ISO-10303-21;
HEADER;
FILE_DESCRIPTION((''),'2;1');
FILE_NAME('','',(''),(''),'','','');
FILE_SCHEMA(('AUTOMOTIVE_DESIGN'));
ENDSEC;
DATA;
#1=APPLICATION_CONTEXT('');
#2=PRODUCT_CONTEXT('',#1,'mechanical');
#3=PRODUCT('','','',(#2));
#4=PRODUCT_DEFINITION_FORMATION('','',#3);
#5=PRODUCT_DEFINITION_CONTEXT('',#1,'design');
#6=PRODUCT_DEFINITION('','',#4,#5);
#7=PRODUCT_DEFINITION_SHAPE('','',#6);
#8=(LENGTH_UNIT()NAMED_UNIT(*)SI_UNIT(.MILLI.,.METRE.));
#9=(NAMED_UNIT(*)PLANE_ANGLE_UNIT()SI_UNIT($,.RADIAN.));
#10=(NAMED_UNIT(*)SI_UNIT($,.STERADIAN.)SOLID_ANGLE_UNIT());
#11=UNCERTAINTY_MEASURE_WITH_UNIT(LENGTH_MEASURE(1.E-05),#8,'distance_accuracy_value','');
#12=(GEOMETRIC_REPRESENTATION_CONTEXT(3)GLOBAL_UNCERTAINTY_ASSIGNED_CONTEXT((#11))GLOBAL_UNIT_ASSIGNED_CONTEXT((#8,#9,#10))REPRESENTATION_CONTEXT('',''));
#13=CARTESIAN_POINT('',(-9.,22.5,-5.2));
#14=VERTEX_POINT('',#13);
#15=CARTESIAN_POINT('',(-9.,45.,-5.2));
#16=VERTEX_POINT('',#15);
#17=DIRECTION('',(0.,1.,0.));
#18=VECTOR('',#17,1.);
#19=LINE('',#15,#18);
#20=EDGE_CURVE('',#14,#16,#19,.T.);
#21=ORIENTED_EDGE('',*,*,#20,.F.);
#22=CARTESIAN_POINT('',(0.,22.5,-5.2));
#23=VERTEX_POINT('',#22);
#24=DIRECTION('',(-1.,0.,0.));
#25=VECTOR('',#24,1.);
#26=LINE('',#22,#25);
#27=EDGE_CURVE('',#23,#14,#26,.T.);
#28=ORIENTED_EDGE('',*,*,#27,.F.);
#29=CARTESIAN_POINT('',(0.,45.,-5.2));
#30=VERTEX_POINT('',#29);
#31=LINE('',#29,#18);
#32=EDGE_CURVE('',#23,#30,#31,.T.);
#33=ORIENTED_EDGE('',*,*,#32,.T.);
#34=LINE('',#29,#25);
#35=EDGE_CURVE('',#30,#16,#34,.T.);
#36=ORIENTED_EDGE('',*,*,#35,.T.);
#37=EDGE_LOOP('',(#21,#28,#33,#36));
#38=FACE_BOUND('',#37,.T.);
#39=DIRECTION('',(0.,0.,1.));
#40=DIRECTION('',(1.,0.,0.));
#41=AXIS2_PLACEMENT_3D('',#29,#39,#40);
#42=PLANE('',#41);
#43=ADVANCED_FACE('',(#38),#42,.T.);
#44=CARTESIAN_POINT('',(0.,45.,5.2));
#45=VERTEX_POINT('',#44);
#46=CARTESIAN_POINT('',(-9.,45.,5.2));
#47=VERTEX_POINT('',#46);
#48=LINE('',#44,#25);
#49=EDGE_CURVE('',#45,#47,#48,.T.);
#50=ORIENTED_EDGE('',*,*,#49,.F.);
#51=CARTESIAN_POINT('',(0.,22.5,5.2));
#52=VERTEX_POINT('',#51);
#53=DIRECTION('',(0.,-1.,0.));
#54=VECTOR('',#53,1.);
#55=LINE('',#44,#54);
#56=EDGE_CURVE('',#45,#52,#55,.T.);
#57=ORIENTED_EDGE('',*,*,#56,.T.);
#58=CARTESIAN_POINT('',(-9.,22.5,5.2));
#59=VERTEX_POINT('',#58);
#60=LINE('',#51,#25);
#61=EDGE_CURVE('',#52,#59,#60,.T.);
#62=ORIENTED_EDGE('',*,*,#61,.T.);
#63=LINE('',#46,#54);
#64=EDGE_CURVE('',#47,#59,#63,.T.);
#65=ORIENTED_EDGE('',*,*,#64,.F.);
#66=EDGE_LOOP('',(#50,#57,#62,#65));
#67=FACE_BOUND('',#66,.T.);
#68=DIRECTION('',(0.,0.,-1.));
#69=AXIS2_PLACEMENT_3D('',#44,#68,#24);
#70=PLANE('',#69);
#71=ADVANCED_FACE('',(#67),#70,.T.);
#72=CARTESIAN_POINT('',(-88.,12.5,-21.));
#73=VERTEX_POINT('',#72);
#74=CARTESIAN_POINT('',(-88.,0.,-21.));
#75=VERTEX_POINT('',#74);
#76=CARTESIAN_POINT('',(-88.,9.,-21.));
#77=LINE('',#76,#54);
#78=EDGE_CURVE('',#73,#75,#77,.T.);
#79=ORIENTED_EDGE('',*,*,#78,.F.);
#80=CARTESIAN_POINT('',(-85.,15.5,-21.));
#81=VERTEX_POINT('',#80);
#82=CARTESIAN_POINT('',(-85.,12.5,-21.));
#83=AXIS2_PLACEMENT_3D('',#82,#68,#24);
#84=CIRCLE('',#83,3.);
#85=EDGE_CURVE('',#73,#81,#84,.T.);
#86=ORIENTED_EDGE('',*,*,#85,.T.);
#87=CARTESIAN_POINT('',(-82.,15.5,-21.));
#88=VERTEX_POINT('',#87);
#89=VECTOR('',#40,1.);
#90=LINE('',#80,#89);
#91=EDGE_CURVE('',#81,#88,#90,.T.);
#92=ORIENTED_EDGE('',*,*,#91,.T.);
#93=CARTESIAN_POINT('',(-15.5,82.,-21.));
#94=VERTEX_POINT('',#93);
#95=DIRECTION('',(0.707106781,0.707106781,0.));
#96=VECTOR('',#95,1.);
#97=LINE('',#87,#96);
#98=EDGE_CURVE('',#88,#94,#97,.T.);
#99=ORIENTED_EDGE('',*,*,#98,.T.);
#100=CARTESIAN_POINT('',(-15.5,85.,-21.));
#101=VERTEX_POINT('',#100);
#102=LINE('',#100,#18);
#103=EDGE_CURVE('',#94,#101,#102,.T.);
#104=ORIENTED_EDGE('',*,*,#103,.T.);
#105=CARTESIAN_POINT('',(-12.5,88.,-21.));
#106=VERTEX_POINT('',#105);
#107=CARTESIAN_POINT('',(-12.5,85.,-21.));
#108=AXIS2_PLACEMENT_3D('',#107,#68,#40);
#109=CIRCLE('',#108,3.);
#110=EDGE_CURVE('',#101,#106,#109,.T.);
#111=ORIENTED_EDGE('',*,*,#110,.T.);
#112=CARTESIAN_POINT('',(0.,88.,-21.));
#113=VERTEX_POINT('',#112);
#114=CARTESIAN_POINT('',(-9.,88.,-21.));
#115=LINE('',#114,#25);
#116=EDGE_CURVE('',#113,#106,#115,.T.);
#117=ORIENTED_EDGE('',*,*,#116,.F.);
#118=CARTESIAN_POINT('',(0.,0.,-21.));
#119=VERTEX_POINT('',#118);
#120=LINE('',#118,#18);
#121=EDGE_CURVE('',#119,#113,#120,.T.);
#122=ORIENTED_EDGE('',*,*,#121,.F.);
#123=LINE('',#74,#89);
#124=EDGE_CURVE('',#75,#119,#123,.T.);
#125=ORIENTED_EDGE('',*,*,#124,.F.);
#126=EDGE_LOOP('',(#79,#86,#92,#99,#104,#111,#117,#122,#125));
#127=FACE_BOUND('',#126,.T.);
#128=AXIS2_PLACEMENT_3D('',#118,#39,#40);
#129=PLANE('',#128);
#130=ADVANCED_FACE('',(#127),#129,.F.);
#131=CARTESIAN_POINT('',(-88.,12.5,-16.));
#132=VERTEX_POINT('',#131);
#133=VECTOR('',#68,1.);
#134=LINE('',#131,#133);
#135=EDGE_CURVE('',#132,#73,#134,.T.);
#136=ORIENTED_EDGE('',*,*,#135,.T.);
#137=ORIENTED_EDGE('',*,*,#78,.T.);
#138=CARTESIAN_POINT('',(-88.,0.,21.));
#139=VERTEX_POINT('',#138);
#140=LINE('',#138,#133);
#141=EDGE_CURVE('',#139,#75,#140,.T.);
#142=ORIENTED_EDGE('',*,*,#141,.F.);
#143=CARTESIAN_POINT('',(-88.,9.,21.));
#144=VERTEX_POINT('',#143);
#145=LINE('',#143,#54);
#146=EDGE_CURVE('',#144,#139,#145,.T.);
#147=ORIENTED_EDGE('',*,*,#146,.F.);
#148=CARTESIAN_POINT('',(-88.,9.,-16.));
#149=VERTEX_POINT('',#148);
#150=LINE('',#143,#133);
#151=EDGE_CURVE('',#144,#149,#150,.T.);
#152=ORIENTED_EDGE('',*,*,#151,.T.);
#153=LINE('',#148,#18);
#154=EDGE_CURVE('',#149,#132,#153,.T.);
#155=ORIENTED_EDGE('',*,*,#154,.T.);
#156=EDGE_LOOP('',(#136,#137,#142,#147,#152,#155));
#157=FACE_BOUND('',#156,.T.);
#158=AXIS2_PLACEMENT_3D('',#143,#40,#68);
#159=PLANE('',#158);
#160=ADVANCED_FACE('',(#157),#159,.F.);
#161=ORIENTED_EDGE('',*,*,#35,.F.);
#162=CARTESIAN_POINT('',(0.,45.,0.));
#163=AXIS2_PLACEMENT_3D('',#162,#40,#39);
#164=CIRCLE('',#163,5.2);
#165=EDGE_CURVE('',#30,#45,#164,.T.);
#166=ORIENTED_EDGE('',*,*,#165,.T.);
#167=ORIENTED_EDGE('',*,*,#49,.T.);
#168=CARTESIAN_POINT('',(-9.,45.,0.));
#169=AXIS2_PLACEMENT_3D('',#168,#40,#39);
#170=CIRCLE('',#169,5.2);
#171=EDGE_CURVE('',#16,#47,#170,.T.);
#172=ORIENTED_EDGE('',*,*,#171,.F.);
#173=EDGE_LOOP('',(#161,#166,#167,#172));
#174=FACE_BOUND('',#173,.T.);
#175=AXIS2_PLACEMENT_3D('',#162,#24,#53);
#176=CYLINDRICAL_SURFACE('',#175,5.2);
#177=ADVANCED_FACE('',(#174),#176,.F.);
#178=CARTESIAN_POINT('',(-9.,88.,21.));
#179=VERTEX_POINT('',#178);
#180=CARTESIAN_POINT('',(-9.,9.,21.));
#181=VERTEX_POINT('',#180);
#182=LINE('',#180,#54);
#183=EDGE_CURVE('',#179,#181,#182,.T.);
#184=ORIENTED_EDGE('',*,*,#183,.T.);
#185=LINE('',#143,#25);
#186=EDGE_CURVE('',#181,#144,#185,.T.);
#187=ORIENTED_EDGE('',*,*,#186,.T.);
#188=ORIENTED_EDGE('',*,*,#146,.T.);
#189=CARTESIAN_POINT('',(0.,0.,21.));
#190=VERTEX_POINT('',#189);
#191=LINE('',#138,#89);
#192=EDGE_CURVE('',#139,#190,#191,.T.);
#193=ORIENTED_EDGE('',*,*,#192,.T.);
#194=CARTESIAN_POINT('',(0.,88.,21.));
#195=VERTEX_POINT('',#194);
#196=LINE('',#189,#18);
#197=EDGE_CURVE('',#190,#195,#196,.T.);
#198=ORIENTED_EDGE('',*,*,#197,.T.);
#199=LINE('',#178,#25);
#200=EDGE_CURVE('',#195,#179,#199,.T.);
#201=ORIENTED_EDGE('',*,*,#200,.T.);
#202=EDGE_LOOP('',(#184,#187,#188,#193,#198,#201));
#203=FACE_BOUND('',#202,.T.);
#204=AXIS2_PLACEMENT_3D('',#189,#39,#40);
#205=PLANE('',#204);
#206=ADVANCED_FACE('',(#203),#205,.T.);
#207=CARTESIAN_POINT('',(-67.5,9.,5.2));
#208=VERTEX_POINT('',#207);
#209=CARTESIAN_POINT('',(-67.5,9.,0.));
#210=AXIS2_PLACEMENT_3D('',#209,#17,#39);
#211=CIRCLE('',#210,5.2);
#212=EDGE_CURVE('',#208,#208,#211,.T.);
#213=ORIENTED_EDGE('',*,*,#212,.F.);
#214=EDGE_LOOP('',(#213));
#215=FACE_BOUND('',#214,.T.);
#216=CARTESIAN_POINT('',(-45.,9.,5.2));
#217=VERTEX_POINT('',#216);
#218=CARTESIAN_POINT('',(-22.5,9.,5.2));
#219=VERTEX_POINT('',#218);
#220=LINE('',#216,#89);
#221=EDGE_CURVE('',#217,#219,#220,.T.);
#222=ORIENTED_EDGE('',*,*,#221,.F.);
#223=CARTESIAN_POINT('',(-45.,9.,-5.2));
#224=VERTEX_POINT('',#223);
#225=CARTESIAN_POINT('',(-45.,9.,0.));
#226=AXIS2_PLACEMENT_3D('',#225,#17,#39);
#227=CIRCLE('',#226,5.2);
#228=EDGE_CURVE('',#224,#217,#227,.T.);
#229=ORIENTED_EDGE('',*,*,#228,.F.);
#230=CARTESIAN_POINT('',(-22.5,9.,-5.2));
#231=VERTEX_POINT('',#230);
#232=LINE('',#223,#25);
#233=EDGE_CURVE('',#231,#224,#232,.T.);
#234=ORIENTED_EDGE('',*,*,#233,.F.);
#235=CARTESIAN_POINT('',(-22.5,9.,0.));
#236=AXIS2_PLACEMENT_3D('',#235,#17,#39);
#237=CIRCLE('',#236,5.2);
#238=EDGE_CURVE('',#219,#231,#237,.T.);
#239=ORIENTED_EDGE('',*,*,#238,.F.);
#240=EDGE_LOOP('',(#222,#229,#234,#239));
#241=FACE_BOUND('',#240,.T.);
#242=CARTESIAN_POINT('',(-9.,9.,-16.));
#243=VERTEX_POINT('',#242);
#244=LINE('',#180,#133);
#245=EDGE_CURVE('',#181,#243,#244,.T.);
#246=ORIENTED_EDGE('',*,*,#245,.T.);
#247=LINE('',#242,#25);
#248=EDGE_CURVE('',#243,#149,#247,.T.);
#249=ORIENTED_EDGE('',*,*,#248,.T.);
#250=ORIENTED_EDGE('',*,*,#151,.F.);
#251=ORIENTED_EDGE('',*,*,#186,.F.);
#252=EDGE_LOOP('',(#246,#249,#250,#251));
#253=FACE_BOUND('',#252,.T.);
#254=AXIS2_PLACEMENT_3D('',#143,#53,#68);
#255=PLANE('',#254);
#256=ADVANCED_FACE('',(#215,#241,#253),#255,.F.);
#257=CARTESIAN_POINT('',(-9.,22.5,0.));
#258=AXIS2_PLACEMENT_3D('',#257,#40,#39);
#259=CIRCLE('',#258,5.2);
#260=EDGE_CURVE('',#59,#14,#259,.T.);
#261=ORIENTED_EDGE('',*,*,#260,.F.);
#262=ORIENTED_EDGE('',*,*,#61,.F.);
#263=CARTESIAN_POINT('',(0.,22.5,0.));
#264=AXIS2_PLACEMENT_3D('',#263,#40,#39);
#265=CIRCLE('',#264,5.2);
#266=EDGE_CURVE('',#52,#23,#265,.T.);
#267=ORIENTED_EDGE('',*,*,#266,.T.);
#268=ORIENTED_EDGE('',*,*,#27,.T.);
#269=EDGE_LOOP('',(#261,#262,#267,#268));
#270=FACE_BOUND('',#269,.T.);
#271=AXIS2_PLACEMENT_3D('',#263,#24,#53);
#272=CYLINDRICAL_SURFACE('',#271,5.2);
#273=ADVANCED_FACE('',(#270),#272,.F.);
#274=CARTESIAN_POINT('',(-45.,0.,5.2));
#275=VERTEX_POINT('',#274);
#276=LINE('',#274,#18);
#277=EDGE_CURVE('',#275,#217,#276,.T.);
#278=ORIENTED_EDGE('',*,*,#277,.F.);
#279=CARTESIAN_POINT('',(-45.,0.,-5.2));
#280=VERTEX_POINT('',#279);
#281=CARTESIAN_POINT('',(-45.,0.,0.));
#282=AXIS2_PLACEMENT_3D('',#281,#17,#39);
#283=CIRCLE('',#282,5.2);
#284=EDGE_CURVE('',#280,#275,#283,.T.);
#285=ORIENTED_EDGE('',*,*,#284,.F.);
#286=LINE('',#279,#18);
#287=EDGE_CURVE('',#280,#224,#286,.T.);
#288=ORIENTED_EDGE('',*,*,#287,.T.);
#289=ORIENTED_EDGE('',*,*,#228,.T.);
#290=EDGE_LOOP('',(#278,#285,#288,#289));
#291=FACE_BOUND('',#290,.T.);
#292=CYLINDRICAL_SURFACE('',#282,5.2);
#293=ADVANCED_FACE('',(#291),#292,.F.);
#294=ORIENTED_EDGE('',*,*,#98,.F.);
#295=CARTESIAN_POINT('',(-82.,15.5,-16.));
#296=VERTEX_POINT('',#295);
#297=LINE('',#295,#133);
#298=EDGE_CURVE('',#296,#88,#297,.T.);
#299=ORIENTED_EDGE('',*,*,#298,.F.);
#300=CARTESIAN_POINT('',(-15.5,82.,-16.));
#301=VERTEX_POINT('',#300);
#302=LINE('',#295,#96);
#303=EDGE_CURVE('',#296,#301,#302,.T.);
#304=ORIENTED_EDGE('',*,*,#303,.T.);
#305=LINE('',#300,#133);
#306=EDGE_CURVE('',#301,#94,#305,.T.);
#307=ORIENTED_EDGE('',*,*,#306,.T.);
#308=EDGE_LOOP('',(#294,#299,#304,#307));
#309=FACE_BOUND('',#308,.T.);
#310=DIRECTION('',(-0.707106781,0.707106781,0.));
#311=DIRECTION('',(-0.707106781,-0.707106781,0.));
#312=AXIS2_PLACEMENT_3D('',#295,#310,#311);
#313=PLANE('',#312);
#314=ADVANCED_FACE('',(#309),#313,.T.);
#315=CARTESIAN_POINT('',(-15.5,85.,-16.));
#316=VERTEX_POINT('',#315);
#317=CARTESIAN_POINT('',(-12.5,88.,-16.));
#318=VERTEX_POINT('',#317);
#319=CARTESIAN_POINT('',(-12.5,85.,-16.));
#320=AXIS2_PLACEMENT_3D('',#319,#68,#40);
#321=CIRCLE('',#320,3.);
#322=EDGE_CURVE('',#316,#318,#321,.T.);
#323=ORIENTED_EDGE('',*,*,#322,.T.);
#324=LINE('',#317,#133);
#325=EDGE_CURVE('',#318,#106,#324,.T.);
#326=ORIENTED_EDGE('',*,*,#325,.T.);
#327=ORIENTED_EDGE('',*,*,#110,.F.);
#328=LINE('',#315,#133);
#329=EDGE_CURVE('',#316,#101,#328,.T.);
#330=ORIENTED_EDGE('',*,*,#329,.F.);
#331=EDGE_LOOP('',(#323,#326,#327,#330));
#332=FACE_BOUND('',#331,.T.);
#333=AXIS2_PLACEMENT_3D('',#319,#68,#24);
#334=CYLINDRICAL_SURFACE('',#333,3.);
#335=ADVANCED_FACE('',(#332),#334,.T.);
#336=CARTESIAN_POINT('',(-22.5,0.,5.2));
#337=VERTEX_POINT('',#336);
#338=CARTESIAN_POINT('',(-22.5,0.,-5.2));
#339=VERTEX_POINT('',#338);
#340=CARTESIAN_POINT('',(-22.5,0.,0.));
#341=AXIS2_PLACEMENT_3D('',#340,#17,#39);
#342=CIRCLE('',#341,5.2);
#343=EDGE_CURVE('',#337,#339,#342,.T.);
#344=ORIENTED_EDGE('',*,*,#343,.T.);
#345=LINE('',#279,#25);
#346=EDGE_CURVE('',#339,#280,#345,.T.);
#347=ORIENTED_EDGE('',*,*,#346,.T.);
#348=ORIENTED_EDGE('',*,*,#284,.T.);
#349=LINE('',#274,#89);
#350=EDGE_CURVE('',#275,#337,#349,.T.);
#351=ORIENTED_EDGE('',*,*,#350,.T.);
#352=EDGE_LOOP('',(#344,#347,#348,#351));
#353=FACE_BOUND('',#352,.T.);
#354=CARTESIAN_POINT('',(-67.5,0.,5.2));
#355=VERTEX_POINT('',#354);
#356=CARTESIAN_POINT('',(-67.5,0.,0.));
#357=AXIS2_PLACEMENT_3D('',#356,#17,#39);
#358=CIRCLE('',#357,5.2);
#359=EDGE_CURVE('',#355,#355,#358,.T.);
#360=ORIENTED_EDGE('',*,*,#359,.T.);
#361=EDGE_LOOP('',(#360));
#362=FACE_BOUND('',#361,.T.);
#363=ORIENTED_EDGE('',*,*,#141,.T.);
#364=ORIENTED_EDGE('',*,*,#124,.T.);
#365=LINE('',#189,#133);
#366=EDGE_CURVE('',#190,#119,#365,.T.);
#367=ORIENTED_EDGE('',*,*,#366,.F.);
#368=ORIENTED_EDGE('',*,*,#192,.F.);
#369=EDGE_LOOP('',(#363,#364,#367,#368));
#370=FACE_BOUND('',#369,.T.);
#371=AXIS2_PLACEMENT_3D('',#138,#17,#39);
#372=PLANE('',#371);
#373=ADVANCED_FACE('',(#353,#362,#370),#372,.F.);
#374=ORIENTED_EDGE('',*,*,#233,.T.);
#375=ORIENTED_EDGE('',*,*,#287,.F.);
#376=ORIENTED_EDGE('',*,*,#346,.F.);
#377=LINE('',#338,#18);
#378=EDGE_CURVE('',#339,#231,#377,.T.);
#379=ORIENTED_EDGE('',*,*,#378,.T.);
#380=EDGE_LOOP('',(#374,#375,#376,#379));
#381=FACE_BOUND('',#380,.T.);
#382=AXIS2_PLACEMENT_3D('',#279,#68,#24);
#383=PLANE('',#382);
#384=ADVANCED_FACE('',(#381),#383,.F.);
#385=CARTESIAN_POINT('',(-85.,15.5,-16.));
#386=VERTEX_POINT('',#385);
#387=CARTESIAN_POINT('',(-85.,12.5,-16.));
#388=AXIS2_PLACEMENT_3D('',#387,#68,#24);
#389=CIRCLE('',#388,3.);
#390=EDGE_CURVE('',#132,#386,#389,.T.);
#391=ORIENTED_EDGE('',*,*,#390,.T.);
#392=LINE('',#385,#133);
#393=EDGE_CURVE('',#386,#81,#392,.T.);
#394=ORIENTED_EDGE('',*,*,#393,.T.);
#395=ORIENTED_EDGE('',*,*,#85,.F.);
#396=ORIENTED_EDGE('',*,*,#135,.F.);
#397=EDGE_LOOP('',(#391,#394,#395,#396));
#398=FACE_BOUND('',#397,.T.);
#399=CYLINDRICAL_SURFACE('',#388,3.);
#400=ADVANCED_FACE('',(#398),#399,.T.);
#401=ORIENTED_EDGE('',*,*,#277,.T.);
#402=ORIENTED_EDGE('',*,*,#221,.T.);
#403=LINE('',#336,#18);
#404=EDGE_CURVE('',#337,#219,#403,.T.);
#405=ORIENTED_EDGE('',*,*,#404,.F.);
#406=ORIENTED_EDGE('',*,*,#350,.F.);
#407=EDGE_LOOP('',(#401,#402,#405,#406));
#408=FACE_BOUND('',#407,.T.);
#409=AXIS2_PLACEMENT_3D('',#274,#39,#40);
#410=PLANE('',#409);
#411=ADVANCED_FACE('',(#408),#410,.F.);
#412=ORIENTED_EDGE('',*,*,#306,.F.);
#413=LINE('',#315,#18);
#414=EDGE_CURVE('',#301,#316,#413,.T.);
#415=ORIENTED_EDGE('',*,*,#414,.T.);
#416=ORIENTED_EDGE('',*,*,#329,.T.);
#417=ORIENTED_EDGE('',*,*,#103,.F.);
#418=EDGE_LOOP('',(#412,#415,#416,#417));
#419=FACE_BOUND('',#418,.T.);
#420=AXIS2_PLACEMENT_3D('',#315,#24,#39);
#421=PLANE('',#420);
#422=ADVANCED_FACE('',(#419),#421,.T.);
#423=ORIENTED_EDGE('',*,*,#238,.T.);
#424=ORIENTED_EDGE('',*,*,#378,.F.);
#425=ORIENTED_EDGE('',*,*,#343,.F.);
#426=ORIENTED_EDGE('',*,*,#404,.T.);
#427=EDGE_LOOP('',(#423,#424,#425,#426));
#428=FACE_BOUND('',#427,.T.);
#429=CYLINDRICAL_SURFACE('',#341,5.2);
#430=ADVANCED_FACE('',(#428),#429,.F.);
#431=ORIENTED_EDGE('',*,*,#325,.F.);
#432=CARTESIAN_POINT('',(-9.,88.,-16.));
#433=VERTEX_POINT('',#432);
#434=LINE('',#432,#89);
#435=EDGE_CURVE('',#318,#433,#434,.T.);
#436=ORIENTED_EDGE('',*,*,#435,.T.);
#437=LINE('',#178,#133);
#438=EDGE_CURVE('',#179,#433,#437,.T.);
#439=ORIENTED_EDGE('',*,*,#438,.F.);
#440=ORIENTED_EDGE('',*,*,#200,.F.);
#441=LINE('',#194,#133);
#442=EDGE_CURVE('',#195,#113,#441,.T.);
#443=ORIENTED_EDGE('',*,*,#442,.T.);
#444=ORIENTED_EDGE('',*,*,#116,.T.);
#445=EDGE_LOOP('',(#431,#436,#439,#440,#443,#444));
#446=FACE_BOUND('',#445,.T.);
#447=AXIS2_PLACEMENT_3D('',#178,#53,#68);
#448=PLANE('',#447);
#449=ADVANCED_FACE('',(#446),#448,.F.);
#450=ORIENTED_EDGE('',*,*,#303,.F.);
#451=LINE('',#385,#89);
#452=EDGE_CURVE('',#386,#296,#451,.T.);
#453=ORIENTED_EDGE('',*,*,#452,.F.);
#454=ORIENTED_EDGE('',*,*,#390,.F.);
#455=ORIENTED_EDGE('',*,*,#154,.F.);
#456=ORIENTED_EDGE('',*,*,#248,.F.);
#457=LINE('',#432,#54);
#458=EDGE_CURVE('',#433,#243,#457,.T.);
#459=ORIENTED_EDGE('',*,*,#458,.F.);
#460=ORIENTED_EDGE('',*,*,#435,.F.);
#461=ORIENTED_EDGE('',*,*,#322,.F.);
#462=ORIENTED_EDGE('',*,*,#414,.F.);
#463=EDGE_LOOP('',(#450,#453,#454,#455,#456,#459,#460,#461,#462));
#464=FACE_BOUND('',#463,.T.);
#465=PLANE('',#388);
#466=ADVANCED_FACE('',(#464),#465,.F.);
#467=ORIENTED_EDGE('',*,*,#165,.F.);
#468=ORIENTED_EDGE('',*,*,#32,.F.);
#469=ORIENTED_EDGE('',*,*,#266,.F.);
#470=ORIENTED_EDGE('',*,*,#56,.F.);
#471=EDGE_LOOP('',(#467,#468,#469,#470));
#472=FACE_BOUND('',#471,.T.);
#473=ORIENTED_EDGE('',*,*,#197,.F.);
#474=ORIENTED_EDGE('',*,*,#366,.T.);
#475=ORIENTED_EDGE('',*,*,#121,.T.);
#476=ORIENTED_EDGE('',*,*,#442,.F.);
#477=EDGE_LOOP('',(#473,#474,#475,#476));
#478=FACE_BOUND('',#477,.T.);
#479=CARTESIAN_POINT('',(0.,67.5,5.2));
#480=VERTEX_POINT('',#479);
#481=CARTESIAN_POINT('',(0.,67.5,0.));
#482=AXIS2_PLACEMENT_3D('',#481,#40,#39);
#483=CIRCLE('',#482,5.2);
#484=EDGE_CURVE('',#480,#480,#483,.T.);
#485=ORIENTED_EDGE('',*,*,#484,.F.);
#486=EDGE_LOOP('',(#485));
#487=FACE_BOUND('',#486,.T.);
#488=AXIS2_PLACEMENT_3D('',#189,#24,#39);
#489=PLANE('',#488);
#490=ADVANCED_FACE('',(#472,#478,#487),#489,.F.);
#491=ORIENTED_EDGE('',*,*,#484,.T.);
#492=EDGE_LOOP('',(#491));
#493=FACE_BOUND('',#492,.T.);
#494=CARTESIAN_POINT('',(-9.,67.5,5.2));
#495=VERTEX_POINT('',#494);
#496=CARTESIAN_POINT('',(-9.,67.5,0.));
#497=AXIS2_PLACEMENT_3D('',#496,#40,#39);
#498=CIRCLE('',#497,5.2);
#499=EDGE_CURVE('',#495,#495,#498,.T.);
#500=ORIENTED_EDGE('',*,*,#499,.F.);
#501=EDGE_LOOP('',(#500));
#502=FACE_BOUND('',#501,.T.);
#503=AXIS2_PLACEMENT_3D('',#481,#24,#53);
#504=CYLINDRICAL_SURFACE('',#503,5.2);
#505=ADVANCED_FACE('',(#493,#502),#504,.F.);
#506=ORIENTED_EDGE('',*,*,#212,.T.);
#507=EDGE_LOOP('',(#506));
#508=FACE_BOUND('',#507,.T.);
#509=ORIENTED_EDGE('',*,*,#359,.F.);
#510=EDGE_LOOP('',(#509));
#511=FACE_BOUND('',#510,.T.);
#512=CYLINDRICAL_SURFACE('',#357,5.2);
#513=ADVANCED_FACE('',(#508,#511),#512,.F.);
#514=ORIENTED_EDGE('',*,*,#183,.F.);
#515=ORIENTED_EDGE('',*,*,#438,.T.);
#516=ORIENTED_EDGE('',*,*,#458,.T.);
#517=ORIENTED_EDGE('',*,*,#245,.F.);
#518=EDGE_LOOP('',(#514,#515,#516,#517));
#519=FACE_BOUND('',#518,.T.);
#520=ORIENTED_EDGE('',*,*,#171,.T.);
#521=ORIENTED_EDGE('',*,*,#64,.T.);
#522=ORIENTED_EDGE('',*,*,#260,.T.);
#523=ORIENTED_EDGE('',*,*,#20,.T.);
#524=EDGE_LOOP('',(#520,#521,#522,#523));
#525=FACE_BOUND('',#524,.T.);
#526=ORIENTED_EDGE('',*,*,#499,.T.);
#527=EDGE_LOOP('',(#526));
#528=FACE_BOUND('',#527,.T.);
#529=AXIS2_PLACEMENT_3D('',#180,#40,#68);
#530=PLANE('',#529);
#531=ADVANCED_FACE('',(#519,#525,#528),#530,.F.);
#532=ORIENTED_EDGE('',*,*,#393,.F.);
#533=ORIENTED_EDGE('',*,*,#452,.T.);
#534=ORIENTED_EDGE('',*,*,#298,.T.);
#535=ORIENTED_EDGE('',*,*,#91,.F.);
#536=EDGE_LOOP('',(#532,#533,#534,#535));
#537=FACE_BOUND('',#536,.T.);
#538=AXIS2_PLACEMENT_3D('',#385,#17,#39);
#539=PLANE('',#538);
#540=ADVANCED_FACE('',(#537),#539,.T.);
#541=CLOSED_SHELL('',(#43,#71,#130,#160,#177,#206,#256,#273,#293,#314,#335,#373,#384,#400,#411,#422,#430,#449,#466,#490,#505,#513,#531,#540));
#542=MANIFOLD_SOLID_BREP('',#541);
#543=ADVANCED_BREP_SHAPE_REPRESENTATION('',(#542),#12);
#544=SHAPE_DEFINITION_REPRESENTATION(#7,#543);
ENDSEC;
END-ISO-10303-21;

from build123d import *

# Parameters (mm, degrees)
EXTRUDE_1_DEPTH     = 21
EXTRUDE_2_DEPTH     = 5
SKETCH_5_R          = 5.2
CUT_EXTRUDE_1_DEPTH = 121.108284477


with BuildPart() as part:
    # 草图1 → 凸台-拉伸1 (new, symmetric)
    with BuildSketch(Plane.XY):
        Polygon((-88, 0), (0, 0), (0, 88), (-9, 88), (-9, 9), (-88, 9), align=None)
    extrude(amount=EXTRUDE_1_DEPTH, both=True)

    # 草图4 → 凸台-拉伸2 (add)
    with BuildSketch(Plane(origin=(0, 0, -21), x_dir=(-1, 0, 0), z_dir=(0, 0, -1))):
        with BuildLine():
            Line((88, 9), (88, 12.5))
            ThreePointArc((88, 12.5), (87.121320344, 14.621320344), (85, 15.5))
            Line((85, 15.5), (82, 15.5))
            Line((82, 15.5), (15.5, 82))
            Line((15.5, 82), (15.5, 85))
            ThreePointArc((15.5, 85), (14.621320344, 87.121320344), (12.5, 88))
            Line((12.5, 88), (9, 88))
            Line((9, 88), (9, 9))
            Line((9, 9), (88, 9))
        make_face()
    extrude(amount=-EXTRUDE_2_DEPTH)

    # 草图5 → 切除-拉伸1 (cut, through all)
    with BuildSketch(Plane(origin=(0, 9, 0), x_dir=(1, 0, 0), z_dir=(0, 1, 0))):
        with Locations(Location((-67.5, 0, 0), (0, 0, 270))):
            Circle(SKETCH_5_R)
        with BuildLine():
            Line((-45, 5.2), (-22.5, 5.2))
            ThreePointArc((-22.5, 5.2), (-17.3, 0), (-22.5, -5.2))
            Line((-22.5, -5.2), (-45, -5.2))
            ThreePointArc((-45, -5.2), (-50.2, 0), (-45, 5.2))
        make_face()
    cut_extrude_1 = extrude(amount=-CUT_EXTRUDE_1_DEPTH, mode=Mode.SUBTRACT)

    # 镜向1: 切除-拉伸1 across plane
    add(cut_extrude_1.mirror(Plane(origin=(0, 0, 0), x_dir=(0, 0, 1), z_dir=(-0.7071067811865477, -0.7071067811865475, 0))), mode=Mode.SUBTRACT)


solid = part.part
